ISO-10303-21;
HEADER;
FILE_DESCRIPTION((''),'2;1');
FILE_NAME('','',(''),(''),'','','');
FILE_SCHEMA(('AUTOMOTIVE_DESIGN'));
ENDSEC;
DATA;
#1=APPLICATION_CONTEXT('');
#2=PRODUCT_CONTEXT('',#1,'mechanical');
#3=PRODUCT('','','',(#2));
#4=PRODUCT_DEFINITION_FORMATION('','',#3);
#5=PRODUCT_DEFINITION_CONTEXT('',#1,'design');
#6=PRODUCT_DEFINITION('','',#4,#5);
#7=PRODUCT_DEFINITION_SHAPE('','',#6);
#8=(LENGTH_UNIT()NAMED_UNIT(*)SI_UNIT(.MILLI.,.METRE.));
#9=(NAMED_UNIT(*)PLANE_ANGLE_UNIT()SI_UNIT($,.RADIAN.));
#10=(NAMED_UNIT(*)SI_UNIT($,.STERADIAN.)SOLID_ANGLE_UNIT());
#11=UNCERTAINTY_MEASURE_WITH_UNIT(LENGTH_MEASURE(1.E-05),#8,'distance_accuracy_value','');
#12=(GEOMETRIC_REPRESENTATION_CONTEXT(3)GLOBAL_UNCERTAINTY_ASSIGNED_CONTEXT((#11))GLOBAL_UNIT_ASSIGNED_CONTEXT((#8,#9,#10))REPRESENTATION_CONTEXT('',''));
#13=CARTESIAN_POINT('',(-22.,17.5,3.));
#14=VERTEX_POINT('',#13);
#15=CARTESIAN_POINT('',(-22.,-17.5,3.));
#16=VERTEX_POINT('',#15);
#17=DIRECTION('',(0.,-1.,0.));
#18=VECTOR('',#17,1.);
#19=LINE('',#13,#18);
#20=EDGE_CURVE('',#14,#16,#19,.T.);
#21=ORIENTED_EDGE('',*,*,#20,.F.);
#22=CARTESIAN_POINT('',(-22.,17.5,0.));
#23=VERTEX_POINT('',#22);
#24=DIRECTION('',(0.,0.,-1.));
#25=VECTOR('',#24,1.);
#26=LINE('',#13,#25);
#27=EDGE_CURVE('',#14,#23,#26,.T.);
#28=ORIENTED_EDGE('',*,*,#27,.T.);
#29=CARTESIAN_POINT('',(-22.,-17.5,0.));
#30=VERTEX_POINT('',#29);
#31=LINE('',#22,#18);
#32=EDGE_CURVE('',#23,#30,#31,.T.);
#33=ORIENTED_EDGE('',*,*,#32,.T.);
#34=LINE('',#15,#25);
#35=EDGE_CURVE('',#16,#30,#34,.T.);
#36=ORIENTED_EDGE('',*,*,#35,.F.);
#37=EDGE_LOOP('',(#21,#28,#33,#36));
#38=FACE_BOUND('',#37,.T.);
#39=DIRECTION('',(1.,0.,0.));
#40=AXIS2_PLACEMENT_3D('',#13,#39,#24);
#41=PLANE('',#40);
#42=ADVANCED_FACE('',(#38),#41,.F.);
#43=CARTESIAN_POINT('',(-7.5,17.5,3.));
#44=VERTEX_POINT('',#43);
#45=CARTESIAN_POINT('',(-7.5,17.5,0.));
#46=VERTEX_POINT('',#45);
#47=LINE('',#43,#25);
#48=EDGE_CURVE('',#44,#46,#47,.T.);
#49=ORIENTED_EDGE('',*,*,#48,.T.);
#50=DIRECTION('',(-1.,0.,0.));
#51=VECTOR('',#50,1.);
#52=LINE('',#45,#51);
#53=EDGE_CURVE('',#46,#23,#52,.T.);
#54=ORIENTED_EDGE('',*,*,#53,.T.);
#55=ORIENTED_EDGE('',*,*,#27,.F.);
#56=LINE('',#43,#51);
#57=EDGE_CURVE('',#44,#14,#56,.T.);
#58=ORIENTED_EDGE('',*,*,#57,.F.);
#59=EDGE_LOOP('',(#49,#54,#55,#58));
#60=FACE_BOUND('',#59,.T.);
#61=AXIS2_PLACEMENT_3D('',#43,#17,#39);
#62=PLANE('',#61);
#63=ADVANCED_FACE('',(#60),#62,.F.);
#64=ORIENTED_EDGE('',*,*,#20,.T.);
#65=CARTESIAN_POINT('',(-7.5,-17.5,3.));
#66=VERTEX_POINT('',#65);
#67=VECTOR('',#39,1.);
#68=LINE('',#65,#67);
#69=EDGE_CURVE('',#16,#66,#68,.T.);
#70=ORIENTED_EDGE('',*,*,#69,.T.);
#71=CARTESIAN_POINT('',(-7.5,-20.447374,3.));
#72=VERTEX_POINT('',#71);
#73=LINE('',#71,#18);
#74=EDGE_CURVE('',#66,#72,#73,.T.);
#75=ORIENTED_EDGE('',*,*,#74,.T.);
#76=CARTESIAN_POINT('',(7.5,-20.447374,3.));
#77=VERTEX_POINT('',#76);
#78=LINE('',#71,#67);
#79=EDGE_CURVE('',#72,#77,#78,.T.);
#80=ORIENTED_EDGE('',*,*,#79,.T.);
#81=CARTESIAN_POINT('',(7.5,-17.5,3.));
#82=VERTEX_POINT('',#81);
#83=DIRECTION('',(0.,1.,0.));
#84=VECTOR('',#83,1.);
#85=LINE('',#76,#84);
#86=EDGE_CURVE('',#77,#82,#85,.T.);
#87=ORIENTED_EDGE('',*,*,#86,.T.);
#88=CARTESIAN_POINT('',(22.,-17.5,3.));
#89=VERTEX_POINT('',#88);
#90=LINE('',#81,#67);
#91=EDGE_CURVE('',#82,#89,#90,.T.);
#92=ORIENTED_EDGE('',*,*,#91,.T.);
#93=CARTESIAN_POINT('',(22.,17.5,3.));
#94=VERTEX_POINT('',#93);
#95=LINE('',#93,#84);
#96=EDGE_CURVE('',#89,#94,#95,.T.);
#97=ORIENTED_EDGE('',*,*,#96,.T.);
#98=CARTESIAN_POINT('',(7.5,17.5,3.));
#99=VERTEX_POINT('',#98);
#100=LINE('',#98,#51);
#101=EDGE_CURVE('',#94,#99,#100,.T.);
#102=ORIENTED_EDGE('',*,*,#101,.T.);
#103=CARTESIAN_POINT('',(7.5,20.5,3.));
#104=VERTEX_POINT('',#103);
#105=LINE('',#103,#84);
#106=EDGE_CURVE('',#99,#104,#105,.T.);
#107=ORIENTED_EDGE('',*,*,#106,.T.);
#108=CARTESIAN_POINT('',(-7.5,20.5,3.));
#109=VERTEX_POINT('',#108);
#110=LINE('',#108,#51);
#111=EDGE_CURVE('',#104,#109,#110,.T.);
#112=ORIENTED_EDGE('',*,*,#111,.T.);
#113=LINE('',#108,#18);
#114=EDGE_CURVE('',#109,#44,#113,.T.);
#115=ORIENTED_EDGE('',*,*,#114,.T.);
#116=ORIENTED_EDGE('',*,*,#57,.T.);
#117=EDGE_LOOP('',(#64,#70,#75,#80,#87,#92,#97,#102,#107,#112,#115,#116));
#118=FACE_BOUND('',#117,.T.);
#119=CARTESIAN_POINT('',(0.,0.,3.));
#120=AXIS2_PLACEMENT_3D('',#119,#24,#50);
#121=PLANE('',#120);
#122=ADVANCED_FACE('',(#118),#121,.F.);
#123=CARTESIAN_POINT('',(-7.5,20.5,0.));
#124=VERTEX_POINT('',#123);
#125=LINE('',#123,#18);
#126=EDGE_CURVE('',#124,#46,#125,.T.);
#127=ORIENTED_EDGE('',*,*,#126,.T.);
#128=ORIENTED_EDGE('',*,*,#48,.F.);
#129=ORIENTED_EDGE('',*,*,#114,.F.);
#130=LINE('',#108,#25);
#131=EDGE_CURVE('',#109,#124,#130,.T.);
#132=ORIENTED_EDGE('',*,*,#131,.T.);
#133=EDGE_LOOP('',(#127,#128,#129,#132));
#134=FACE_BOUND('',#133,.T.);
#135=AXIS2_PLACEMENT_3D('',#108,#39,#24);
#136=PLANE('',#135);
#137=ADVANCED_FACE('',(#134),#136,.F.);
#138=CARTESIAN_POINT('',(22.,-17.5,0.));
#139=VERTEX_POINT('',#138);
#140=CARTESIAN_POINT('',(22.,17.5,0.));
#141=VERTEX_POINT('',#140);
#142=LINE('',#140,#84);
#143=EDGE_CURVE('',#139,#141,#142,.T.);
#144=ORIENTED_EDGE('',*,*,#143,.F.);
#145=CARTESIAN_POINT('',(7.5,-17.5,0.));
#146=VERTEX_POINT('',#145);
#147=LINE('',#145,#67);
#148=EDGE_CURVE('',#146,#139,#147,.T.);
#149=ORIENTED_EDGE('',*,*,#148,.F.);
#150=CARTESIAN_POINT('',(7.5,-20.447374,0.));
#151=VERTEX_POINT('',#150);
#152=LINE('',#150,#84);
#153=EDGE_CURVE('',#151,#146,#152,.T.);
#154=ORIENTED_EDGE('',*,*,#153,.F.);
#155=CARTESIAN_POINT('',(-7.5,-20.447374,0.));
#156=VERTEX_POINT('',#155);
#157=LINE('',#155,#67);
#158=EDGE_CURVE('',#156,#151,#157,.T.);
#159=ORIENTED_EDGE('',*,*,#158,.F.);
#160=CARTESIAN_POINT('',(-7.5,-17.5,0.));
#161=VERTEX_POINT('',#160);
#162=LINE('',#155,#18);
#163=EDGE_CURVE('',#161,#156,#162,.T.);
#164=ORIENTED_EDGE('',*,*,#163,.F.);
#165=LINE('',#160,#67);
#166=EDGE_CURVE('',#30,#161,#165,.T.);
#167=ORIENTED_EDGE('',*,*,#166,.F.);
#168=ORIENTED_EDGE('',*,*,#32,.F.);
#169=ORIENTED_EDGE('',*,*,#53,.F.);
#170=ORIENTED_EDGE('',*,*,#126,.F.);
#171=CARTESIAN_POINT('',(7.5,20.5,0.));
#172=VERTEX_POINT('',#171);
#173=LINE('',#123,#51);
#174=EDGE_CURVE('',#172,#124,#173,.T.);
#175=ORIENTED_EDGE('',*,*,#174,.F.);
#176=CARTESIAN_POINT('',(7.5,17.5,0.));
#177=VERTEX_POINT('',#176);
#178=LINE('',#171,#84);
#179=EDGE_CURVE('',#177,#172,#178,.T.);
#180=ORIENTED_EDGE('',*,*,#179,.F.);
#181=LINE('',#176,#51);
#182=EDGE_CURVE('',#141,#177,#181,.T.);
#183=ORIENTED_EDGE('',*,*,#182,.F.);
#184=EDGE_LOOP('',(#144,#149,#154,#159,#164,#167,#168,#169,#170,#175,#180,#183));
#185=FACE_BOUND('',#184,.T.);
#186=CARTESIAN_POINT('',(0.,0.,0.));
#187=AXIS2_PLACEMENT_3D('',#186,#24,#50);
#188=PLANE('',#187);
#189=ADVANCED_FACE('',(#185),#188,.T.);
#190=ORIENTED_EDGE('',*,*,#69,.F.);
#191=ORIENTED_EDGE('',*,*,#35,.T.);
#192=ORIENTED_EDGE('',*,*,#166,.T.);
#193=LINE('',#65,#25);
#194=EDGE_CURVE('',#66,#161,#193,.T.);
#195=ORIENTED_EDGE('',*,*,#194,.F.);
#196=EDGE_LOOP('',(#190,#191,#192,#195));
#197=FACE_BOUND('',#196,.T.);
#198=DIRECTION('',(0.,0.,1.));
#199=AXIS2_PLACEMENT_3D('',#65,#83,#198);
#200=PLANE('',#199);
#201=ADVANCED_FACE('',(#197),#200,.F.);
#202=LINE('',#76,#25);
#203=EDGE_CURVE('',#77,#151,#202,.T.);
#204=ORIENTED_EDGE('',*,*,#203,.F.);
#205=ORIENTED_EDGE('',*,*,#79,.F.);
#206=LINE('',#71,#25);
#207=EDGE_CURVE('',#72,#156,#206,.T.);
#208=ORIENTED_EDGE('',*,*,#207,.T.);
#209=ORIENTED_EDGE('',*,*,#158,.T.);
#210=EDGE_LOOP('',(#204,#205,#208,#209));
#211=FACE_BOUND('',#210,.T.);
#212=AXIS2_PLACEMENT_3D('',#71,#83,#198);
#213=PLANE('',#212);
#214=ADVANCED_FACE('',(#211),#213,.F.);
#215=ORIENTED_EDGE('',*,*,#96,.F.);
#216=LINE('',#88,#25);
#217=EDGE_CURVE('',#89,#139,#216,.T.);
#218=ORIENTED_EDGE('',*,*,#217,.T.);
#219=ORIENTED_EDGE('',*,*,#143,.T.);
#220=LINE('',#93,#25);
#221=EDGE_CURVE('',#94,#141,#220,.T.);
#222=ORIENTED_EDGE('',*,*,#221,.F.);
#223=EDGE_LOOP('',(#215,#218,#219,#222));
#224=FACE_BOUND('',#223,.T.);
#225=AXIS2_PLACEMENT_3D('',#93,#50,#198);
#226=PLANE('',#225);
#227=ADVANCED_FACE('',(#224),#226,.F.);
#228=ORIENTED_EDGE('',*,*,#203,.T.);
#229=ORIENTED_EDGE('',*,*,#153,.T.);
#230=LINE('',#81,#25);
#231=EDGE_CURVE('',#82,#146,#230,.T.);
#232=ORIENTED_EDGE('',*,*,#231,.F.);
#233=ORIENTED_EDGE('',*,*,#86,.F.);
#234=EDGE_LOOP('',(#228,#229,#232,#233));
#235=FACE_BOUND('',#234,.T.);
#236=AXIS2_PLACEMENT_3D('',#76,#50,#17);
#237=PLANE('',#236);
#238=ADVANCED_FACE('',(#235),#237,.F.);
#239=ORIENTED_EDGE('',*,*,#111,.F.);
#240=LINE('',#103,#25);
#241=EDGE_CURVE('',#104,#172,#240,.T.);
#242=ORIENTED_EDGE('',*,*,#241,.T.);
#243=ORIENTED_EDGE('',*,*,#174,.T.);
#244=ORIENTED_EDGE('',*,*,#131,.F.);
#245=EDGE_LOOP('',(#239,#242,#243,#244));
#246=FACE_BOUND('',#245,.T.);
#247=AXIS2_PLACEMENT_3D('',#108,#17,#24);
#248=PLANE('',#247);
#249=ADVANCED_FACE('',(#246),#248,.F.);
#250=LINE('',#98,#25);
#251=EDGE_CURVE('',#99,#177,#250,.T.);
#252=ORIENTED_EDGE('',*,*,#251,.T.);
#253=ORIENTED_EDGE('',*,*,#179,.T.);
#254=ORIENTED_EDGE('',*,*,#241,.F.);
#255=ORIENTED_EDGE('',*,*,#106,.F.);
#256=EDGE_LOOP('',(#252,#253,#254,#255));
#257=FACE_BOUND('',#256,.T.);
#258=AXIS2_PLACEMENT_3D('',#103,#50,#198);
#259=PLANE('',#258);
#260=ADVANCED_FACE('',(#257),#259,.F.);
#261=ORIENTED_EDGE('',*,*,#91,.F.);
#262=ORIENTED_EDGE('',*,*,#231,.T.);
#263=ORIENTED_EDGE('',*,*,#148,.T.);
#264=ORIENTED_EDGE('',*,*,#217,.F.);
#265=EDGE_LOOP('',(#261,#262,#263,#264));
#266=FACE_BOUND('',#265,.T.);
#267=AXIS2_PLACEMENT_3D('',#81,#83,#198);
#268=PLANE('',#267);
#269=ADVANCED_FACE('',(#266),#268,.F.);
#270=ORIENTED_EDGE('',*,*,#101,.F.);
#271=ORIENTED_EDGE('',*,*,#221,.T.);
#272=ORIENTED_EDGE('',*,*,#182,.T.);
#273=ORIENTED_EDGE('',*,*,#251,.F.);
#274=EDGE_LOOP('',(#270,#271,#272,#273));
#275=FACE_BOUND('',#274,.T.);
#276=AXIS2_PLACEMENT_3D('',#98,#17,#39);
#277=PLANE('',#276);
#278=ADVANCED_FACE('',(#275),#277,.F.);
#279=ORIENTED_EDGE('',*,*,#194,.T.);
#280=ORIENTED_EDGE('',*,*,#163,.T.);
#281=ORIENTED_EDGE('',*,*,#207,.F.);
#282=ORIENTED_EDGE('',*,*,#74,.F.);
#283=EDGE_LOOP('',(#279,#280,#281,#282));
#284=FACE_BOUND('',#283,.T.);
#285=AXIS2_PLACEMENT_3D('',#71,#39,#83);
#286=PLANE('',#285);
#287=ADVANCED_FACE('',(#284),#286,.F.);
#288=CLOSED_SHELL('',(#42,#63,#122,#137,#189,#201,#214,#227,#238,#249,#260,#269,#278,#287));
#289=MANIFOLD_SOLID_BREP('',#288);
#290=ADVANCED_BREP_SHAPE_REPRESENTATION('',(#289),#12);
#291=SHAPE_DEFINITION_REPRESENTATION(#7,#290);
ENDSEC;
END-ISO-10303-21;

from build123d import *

# Parameters (mm, degrees)
EXTRUDE_1_DEPTH = 3


with BuildPart() as part:
    # 草图1 → 凸台-拉伸1 (new body)
    with BuildSketch(Plane.XY):
        Polygon((-7.5, 20.5), (7.5, 20.5), (7.5, 17.5), (22, 17.5), (22, -17.5), (7.5, -17.5), (7.5, -20.447374488), (-7.5, -20.447374488), (-7.5, -17.5), (-22, -17.5), (-22, 17.5), (-7.5, 17.5), align=None)
    extrude(amount=EXTRUDE_1_DEPTH)


solid = part.part
